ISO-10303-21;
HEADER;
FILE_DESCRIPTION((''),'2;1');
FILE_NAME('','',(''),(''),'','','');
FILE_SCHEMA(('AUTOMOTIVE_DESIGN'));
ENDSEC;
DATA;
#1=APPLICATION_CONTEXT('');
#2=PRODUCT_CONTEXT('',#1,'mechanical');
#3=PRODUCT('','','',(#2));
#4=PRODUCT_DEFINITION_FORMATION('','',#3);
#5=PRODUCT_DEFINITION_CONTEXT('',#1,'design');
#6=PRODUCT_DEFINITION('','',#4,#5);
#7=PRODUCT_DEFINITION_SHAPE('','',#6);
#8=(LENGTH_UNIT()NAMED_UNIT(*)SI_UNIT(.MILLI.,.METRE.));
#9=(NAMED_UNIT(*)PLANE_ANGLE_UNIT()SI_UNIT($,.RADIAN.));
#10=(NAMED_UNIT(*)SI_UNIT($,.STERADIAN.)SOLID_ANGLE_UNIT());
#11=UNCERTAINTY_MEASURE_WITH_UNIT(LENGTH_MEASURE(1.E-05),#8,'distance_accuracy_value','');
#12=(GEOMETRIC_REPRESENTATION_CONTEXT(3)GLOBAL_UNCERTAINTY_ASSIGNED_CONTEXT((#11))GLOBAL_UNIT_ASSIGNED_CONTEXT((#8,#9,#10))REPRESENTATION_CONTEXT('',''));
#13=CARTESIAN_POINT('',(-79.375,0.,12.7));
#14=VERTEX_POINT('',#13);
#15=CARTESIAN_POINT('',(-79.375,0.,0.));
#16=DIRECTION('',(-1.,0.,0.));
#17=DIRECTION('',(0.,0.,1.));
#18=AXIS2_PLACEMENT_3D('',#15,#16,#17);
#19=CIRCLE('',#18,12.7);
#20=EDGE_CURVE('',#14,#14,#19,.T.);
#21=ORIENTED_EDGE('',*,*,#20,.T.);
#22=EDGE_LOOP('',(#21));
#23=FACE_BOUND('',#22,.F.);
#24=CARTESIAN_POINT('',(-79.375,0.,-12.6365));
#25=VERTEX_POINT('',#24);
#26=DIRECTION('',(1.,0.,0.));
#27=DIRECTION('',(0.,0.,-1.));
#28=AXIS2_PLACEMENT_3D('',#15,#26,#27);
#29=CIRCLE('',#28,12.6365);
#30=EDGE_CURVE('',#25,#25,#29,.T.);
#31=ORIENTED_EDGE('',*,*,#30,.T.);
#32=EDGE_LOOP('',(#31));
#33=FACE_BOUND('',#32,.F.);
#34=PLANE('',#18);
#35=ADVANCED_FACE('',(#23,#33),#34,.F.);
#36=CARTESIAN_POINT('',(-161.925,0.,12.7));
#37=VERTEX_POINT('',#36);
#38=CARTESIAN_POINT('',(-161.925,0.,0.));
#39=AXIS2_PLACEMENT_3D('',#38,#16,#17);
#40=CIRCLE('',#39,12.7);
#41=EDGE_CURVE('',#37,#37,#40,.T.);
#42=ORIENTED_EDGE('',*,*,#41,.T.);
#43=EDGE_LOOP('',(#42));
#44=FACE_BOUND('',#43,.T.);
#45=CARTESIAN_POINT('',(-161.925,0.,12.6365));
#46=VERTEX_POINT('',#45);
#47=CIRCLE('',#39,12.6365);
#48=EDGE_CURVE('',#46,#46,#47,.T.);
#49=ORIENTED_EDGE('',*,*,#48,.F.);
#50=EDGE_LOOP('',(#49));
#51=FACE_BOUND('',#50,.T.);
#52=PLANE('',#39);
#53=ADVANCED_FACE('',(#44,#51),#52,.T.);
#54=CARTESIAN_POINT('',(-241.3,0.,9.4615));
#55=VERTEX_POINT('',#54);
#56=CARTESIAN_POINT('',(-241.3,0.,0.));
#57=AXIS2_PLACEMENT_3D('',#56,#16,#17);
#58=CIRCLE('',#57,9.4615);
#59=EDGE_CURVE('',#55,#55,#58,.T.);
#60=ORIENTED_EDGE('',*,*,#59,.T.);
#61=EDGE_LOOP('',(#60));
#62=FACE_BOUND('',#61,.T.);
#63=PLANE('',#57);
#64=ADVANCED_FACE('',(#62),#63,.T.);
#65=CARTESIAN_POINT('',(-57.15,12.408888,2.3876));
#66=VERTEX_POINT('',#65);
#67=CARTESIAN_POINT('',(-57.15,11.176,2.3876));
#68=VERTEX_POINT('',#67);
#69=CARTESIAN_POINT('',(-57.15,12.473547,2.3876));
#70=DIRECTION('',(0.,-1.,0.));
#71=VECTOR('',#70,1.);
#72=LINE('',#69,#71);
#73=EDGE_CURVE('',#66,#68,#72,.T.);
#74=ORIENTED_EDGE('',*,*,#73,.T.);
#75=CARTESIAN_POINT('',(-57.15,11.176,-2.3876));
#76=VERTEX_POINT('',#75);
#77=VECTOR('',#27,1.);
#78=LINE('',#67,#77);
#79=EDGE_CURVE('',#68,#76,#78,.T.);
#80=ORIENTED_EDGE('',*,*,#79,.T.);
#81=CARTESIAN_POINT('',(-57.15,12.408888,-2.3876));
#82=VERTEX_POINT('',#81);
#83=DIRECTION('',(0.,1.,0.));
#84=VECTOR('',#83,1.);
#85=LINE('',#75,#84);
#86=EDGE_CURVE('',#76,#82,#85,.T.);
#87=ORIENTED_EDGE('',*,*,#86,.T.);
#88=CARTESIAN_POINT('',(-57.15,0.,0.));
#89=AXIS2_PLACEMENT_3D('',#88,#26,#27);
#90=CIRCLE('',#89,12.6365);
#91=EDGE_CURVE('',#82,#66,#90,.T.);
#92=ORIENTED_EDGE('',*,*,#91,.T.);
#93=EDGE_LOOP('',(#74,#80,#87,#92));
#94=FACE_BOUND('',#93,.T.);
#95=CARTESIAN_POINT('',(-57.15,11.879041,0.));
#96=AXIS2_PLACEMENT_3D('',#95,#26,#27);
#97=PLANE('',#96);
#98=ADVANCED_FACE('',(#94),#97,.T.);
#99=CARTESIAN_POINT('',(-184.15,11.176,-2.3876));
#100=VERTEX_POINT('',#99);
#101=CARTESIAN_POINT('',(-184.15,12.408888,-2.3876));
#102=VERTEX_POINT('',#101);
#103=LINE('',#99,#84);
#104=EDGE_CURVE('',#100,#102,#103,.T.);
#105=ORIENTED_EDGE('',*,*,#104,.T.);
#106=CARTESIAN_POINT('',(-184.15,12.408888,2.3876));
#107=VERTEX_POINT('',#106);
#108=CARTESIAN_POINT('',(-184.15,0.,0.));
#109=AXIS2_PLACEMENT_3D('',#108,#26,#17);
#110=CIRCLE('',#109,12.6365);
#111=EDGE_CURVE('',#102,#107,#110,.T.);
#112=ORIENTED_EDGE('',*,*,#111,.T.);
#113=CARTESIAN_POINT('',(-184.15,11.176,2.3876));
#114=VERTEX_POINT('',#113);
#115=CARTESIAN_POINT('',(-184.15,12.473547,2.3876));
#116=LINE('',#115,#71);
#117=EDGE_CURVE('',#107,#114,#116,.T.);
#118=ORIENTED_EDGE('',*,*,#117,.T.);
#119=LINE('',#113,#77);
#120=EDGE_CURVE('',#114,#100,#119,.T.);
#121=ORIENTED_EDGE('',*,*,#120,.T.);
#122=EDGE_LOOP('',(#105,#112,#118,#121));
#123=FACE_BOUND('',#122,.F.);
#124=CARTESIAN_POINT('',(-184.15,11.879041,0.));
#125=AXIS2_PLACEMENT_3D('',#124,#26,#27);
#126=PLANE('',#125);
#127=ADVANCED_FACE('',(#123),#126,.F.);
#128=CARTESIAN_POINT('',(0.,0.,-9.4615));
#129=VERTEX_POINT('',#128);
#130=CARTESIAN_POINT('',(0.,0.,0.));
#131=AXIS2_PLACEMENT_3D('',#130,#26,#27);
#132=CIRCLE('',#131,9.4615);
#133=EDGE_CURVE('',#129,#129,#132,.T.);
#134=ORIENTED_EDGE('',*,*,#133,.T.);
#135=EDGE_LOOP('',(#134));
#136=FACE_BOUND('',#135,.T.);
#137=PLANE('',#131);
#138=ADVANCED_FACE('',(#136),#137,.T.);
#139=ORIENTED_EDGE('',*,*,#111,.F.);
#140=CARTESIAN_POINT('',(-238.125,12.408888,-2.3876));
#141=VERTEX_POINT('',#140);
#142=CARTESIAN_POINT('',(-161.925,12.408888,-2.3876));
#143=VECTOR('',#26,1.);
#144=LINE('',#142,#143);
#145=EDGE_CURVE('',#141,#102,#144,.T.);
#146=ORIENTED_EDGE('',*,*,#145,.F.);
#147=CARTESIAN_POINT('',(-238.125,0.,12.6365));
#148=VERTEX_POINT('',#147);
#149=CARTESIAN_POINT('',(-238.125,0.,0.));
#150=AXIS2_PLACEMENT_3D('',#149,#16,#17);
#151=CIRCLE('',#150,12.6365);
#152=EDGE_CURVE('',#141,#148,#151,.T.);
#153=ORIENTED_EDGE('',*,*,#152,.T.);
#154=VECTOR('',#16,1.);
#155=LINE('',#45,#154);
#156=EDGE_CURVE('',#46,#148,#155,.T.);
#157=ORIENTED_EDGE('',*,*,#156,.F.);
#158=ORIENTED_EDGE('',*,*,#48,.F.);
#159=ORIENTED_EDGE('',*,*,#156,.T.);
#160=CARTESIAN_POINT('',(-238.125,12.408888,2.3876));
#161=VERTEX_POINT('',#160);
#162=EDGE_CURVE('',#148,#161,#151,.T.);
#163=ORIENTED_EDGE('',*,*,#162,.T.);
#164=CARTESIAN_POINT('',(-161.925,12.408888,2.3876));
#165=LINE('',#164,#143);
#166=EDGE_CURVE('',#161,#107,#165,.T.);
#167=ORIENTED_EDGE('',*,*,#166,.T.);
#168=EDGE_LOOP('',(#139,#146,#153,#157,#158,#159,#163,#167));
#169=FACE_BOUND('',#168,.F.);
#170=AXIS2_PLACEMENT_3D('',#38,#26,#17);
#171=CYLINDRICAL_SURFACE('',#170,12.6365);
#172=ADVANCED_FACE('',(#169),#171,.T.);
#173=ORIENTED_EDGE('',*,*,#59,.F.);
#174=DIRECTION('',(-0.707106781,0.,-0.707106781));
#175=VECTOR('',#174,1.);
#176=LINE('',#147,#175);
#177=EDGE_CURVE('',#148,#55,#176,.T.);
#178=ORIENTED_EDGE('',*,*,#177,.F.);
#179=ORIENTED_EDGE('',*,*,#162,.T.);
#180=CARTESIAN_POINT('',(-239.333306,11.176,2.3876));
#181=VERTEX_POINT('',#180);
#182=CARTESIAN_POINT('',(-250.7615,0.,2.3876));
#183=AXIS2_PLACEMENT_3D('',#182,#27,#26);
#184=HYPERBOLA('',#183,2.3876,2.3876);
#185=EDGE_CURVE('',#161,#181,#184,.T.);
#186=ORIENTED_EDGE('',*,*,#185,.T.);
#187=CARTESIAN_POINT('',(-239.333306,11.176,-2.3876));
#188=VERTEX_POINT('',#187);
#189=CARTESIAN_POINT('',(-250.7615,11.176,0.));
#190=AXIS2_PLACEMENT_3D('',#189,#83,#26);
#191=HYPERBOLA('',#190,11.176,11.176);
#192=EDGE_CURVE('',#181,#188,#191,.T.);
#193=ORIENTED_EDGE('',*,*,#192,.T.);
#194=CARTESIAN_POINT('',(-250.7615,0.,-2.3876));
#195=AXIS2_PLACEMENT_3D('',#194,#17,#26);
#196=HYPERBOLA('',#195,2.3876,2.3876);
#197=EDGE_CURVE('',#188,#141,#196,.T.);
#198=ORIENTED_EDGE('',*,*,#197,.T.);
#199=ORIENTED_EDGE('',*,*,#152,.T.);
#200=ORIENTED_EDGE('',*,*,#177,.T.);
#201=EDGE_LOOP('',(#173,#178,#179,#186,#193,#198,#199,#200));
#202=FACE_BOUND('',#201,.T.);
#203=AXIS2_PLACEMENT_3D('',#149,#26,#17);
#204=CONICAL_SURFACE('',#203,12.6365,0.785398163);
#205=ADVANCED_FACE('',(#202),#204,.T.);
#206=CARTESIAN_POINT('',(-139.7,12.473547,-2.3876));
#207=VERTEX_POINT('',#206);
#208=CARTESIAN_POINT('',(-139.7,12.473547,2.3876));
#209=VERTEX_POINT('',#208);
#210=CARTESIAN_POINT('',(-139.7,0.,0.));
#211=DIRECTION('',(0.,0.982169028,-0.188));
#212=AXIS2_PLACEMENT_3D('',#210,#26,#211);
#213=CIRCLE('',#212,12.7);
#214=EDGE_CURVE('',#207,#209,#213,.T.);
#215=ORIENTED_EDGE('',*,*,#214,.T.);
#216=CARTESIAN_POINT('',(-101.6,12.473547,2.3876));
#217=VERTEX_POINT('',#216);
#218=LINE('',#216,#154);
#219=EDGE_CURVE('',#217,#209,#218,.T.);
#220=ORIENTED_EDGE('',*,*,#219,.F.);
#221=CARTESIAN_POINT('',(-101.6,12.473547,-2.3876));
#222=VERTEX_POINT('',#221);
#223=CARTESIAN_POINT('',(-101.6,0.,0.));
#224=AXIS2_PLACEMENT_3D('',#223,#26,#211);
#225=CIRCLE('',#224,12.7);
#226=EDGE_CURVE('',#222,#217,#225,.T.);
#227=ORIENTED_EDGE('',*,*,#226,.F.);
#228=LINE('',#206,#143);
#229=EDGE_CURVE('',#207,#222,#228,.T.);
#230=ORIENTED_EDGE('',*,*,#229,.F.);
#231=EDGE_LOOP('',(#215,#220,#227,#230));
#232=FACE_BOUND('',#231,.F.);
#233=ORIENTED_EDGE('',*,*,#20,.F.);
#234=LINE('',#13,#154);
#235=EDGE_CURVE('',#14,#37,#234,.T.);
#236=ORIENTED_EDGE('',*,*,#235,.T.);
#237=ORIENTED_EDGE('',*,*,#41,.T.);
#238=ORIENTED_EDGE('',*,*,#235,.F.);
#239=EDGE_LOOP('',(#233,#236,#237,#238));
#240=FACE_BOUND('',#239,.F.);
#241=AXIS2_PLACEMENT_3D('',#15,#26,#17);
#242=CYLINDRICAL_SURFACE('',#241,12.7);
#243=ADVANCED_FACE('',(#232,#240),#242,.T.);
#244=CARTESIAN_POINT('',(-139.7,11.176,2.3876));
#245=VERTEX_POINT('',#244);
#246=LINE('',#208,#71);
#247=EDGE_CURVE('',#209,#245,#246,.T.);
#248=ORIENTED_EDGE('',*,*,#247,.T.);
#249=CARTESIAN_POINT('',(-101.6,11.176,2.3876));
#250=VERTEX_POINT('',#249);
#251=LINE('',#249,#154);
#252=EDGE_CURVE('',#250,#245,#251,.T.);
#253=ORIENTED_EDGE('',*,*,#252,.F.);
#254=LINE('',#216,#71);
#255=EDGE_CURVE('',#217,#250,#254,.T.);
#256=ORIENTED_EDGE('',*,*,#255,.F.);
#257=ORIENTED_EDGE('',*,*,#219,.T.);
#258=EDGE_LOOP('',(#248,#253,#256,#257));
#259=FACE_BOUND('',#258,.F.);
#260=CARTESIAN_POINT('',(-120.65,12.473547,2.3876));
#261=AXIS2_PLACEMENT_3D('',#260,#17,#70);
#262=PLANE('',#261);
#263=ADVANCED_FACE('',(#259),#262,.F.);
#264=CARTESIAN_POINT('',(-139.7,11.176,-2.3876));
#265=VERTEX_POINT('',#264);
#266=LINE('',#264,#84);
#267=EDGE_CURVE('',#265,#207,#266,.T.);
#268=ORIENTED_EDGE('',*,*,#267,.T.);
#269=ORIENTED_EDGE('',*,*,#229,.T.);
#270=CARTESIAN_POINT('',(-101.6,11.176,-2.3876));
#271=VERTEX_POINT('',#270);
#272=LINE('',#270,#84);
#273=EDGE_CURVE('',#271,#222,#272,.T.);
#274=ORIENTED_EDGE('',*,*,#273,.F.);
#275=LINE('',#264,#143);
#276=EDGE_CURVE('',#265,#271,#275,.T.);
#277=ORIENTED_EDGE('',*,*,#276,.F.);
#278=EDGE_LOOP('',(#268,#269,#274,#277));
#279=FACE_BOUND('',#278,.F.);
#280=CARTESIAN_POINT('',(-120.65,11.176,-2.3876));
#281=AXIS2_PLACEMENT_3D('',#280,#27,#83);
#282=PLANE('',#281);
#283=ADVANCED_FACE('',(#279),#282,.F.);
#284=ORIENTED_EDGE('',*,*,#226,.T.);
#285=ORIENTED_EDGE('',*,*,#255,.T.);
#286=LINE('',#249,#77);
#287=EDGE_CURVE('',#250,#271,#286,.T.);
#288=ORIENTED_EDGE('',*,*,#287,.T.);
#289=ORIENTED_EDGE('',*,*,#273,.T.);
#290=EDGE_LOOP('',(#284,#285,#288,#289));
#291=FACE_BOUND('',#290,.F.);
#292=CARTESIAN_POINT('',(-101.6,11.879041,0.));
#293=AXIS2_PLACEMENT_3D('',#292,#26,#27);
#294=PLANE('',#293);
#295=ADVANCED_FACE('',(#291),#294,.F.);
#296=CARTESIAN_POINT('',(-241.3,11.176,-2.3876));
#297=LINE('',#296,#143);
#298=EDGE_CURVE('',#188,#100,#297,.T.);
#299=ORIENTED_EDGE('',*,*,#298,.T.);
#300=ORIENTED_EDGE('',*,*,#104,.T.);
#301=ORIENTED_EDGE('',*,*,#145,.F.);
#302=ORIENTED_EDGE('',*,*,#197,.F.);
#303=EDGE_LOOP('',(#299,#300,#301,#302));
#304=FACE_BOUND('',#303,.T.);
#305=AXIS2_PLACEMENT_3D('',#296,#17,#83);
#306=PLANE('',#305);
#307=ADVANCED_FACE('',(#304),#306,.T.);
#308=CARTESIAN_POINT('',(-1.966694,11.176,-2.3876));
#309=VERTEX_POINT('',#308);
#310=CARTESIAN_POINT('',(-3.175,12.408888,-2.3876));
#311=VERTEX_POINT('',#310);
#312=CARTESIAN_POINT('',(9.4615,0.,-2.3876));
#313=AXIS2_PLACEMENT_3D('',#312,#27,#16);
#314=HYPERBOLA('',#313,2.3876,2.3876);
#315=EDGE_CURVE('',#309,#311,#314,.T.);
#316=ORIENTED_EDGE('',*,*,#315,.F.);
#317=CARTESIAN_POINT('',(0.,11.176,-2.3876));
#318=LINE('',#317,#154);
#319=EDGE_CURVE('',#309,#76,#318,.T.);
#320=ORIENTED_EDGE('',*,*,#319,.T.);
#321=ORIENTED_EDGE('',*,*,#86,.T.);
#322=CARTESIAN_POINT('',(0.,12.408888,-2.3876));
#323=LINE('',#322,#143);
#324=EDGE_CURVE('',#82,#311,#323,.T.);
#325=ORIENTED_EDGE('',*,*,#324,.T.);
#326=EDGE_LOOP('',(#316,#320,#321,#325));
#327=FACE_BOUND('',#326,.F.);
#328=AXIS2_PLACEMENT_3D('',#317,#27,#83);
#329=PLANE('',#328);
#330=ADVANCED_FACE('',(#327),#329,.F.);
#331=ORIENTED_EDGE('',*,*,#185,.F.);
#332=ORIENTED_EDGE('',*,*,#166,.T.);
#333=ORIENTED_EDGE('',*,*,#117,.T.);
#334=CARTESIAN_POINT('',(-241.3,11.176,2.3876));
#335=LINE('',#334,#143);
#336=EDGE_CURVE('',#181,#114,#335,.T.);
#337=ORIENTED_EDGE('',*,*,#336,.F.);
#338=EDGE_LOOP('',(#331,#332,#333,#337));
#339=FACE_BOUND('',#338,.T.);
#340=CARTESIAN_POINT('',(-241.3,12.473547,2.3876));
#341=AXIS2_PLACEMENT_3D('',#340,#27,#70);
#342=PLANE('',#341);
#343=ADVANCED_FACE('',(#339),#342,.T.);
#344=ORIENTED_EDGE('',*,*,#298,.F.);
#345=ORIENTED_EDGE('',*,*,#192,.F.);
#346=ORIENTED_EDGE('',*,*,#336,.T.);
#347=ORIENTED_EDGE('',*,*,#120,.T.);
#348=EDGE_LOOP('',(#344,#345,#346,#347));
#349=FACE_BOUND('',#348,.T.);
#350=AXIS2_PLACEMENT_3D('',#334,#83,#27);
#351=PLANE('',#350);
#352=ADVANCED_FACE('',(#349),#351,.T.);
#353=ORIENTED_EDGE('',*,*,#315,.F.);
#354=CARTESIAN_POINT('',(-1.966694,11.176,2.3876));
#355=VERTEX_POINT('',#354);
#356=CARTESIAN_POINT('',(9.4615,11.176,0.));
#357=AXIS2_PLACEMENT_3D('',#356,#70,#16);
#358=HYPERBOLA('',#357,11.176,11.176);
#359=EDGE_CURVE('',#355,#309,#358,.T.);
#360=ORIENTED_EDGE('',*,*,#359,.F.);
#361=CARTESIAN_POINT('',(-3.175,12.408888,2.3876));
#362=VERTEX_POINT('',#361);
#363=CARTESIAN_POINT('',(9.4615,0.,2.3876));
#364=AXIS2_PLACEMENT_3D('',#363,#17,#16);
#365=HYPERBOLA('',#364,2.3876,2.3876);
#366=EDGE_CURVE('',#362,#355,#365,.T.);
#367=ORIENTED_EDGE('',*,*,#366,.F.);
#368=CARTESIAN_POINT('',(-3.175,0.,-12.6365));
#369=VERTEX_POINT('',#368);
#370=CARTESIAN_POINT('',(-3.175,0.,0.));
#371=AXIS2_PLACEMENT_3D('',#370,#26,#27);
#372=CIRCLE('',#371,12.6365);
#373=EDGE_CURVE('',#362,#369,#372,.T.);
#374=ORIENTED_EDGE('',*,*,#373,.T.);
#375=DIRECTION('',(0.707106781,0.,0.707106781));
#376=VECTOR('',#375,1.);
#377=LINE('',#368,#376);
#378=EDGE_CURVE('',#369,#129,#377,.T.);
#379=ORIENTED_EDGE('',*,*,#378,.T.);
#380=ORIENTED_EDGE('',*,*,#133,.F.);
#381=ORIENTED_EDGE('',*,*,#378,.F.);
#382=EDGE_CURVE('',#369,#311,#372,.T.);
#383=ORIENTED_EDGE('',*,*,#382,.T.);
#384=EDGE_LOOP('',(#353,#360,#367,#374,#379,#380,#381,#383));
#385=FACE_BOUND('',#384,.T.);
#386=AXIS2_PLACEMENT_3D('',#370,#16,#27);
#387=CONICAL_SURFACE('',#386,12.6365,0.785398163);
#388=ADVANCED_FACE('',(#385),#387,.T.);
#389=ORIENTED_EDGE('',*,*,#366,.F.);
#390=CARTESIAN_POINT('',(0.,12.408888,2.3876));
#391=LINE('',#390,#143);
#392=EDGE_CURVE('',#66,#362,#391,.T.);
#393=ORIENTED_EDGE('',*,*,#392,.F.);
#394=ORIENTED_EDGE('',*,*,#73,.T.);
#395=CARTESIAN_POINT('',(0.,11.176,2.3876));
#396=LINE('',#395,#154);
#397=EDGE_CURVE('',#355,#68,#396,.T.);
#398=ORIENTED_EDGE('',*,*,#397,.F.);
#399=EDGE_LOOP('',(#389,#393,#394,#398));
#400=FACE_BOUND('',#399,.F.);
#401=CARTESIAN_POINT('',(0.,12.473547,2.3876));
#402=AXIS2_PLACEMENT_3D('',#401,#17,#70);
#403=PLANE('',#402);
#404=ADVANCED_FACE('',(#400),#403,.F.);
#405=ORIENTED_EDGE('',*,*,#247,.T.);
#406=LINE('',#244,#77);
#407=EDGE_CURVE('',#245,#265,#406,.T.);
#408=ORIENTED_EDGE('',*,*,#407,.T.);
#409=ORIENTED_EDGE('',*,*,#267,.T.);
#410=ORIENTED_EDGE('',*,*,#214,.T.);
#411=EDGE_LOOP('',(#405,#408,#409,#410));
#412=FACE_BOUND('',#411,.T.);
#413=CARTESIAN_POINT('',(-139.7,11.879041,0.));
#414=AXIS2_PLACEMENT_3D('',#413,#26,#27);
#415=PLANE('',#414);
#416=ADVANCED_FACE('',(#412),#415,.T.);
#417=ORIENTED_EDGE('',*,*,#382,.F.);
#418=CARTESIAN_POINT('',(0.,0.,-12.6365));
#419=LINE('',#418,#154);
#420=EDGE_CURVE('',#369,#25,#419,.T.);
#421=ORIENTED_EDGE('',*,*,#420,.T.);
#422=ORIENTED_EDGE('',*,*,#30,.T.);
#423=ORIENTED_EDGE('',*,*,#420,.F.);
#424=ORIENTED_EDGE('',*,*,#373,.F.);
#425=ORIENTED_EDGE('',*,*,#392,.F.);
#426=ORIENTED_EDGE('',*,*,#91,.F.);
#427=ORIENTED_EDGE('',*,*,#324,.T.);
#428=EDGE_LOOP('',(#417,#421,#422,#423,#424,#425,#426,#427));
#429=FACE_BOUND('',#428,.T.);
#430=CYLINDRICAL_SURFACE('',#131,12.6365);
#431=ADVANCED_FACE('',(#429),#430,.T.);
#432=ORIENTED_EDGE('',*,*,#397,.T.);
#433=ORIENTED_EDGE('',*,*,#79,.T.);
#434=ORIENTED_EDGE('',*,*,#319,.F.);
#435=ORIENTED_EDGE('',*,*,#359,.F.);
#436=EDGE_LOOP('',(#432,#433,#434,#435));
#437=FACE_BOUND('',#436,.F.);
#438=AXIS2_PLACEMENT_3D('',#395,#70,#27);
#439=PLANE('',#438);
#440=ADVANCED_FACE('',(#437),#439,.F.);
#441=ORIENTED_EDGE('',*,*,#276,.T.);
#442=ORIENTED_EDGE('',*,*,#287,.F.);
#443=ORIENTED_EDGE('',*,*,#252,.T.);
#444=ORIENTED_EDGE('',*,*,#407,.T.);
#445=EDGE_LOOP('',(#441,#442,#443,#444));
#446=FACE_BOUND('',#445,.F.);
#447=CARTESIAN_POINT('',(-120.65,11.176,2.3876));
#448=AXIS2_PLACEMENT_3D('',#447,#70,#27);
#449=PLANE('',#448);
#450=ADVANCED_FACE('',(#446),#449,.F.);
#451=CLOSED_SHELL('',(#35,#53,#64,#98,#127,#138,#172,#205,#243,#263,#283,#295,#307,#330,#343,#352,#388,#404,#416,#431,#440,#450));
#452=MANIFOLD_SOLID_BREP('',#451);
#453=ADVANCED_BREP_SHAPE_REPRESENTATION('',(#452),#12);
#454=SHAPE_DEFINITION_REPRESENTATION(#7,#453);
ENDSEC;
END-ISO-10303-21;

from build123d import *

# Parameters (mm, degrees)
SKETCH1_R           = 12.6365
BOSS_EXTRUDE1_DEPTH = 79.375
SKETCH2_R           = 12.7
BOSS_EXTRUDE2_DEPTH = 82.55
SKETCH3_R           = 12.6365
BOSS_EXTRUDE3_DEPTH = 79.375
CHAMFER1_SIZE       = 3.175
CUT_EXTRUDE1_DEPTH  = 57.15
CUT_EXTRUDE2_START  = -241.3
CUT_EXTRUDE2_DEPTH  = 57.15
CUT_EXTRUDE3_START  = -120.65
CUT_EXTRUDE3_DEPTH  = 19.05


with BuildPart() as part:
    # Sketch1 → Boss-Extrude1 (new body)
    with BuildSketch(Plane(origin=(0, 0, 0), x_dir=(0, 0, -1), z_dir=(1, 0, 0))):
        Circle(SKETCH1_R)
    extrude(amount=-BOSS_EXTRUDE1_DEPTH)

    # Sketch2 → Boss-Extrude2 (add)
    with BuildSketch(Plane.ZY.offset(79.375)):
        Circle(SKETCH2_R)
    extrude(amount=BOSS_EXTRUDE2_DEPTH)

    # Sketch3 → Boss-Extrude3 (add)
    with BuildSketch(Plane.ZY.offset(161.925)):
        Circle(SKETCH3_R)
    extrude(amount=BOSS_EXTRUDE3_DEPTH)

    # Chamfer1
    chamfer1_edges = [part.edges().sort_by_distance(p)[0] for p in [
        (-241.3, 0, -12.6365),
        (0, 0, 12.6365),
    ]]
    chamfer(chamfer1_edges, length=CHAMFER1_SIZE)

    # Sketch4 → Cut-Extrude1 (cut)
    with BuildSketch(Plane(origin=(0, 0, 0), x_dir=(0, 0, -1), z_dir=(1, 0, 0))):
        with BuildLine():
            Line((-2.3876, 11.176), (2.3876, 11.176))
            Line((2.3876, 11.176), (2.3876, 12.473546658))
            ThreePointArc((2.3876, 12.473546658), (0, 12.7), (-2.3876, 12.473546658))
            Line((-2.3876, 12.473546658), (-2.3876, 11.176))
        make_face()
    extrude(amount=-CUT_EXTRUDE1_DEPTH, mode=Mode.SUBTRACT)

    # Sketch4<2> → Cut-Extrude2 (cut)
    with BuildSketch(Plane(origin=(0, 0, 0), x_dir=(0, 0, -1), z_dir=(1, 0, 0)).offset(CUT_EXTRUDE2_START)):
        with BuildLine():
            Line((-2.3876, 11.176), (2.3876, 11.176))
            Line((2.3876, 11.176), (2.3876, 12.473546658))
            ThreePointArc((2.3876, 12.473546658), (0, 12.7), (-2.3876, 12.473546658))
            Line((-2.3876, 12.473546658), (-2.3876, 11.176))
        make_face()
    extrude(amount=CUT_EXTRUDE2_DEPTH, mode=Mode.SUBTRACT)

    # Sketch4<4> → Cut-Extrude3 (cut, symmetric)
    with BuildSketch(Plane(origin=(0, 0, 0), x_dir=(0, 0, -1), z_dir=(1, 0, 0)).offset(CUT_EXTRUDE3_START)):
        with BuildLine():
            Line((-2.3876, 11.176), (2.3876, 11.176))
            Line((2.3876, 11.176), (2.3876, 12.473546658))
            ThreePointArc((2.3876, 12.473546658), (0, 12.7), (-2.3876, 12.473546658))
            Line((-2.3876, 12.473546658), (-2.3876, 11.176))
        make_face()
    extrude(amount=CUT_EXTRUDE3_DEPTH, both=True, mode=Mode.SUBTRACT)


solid = part.part
